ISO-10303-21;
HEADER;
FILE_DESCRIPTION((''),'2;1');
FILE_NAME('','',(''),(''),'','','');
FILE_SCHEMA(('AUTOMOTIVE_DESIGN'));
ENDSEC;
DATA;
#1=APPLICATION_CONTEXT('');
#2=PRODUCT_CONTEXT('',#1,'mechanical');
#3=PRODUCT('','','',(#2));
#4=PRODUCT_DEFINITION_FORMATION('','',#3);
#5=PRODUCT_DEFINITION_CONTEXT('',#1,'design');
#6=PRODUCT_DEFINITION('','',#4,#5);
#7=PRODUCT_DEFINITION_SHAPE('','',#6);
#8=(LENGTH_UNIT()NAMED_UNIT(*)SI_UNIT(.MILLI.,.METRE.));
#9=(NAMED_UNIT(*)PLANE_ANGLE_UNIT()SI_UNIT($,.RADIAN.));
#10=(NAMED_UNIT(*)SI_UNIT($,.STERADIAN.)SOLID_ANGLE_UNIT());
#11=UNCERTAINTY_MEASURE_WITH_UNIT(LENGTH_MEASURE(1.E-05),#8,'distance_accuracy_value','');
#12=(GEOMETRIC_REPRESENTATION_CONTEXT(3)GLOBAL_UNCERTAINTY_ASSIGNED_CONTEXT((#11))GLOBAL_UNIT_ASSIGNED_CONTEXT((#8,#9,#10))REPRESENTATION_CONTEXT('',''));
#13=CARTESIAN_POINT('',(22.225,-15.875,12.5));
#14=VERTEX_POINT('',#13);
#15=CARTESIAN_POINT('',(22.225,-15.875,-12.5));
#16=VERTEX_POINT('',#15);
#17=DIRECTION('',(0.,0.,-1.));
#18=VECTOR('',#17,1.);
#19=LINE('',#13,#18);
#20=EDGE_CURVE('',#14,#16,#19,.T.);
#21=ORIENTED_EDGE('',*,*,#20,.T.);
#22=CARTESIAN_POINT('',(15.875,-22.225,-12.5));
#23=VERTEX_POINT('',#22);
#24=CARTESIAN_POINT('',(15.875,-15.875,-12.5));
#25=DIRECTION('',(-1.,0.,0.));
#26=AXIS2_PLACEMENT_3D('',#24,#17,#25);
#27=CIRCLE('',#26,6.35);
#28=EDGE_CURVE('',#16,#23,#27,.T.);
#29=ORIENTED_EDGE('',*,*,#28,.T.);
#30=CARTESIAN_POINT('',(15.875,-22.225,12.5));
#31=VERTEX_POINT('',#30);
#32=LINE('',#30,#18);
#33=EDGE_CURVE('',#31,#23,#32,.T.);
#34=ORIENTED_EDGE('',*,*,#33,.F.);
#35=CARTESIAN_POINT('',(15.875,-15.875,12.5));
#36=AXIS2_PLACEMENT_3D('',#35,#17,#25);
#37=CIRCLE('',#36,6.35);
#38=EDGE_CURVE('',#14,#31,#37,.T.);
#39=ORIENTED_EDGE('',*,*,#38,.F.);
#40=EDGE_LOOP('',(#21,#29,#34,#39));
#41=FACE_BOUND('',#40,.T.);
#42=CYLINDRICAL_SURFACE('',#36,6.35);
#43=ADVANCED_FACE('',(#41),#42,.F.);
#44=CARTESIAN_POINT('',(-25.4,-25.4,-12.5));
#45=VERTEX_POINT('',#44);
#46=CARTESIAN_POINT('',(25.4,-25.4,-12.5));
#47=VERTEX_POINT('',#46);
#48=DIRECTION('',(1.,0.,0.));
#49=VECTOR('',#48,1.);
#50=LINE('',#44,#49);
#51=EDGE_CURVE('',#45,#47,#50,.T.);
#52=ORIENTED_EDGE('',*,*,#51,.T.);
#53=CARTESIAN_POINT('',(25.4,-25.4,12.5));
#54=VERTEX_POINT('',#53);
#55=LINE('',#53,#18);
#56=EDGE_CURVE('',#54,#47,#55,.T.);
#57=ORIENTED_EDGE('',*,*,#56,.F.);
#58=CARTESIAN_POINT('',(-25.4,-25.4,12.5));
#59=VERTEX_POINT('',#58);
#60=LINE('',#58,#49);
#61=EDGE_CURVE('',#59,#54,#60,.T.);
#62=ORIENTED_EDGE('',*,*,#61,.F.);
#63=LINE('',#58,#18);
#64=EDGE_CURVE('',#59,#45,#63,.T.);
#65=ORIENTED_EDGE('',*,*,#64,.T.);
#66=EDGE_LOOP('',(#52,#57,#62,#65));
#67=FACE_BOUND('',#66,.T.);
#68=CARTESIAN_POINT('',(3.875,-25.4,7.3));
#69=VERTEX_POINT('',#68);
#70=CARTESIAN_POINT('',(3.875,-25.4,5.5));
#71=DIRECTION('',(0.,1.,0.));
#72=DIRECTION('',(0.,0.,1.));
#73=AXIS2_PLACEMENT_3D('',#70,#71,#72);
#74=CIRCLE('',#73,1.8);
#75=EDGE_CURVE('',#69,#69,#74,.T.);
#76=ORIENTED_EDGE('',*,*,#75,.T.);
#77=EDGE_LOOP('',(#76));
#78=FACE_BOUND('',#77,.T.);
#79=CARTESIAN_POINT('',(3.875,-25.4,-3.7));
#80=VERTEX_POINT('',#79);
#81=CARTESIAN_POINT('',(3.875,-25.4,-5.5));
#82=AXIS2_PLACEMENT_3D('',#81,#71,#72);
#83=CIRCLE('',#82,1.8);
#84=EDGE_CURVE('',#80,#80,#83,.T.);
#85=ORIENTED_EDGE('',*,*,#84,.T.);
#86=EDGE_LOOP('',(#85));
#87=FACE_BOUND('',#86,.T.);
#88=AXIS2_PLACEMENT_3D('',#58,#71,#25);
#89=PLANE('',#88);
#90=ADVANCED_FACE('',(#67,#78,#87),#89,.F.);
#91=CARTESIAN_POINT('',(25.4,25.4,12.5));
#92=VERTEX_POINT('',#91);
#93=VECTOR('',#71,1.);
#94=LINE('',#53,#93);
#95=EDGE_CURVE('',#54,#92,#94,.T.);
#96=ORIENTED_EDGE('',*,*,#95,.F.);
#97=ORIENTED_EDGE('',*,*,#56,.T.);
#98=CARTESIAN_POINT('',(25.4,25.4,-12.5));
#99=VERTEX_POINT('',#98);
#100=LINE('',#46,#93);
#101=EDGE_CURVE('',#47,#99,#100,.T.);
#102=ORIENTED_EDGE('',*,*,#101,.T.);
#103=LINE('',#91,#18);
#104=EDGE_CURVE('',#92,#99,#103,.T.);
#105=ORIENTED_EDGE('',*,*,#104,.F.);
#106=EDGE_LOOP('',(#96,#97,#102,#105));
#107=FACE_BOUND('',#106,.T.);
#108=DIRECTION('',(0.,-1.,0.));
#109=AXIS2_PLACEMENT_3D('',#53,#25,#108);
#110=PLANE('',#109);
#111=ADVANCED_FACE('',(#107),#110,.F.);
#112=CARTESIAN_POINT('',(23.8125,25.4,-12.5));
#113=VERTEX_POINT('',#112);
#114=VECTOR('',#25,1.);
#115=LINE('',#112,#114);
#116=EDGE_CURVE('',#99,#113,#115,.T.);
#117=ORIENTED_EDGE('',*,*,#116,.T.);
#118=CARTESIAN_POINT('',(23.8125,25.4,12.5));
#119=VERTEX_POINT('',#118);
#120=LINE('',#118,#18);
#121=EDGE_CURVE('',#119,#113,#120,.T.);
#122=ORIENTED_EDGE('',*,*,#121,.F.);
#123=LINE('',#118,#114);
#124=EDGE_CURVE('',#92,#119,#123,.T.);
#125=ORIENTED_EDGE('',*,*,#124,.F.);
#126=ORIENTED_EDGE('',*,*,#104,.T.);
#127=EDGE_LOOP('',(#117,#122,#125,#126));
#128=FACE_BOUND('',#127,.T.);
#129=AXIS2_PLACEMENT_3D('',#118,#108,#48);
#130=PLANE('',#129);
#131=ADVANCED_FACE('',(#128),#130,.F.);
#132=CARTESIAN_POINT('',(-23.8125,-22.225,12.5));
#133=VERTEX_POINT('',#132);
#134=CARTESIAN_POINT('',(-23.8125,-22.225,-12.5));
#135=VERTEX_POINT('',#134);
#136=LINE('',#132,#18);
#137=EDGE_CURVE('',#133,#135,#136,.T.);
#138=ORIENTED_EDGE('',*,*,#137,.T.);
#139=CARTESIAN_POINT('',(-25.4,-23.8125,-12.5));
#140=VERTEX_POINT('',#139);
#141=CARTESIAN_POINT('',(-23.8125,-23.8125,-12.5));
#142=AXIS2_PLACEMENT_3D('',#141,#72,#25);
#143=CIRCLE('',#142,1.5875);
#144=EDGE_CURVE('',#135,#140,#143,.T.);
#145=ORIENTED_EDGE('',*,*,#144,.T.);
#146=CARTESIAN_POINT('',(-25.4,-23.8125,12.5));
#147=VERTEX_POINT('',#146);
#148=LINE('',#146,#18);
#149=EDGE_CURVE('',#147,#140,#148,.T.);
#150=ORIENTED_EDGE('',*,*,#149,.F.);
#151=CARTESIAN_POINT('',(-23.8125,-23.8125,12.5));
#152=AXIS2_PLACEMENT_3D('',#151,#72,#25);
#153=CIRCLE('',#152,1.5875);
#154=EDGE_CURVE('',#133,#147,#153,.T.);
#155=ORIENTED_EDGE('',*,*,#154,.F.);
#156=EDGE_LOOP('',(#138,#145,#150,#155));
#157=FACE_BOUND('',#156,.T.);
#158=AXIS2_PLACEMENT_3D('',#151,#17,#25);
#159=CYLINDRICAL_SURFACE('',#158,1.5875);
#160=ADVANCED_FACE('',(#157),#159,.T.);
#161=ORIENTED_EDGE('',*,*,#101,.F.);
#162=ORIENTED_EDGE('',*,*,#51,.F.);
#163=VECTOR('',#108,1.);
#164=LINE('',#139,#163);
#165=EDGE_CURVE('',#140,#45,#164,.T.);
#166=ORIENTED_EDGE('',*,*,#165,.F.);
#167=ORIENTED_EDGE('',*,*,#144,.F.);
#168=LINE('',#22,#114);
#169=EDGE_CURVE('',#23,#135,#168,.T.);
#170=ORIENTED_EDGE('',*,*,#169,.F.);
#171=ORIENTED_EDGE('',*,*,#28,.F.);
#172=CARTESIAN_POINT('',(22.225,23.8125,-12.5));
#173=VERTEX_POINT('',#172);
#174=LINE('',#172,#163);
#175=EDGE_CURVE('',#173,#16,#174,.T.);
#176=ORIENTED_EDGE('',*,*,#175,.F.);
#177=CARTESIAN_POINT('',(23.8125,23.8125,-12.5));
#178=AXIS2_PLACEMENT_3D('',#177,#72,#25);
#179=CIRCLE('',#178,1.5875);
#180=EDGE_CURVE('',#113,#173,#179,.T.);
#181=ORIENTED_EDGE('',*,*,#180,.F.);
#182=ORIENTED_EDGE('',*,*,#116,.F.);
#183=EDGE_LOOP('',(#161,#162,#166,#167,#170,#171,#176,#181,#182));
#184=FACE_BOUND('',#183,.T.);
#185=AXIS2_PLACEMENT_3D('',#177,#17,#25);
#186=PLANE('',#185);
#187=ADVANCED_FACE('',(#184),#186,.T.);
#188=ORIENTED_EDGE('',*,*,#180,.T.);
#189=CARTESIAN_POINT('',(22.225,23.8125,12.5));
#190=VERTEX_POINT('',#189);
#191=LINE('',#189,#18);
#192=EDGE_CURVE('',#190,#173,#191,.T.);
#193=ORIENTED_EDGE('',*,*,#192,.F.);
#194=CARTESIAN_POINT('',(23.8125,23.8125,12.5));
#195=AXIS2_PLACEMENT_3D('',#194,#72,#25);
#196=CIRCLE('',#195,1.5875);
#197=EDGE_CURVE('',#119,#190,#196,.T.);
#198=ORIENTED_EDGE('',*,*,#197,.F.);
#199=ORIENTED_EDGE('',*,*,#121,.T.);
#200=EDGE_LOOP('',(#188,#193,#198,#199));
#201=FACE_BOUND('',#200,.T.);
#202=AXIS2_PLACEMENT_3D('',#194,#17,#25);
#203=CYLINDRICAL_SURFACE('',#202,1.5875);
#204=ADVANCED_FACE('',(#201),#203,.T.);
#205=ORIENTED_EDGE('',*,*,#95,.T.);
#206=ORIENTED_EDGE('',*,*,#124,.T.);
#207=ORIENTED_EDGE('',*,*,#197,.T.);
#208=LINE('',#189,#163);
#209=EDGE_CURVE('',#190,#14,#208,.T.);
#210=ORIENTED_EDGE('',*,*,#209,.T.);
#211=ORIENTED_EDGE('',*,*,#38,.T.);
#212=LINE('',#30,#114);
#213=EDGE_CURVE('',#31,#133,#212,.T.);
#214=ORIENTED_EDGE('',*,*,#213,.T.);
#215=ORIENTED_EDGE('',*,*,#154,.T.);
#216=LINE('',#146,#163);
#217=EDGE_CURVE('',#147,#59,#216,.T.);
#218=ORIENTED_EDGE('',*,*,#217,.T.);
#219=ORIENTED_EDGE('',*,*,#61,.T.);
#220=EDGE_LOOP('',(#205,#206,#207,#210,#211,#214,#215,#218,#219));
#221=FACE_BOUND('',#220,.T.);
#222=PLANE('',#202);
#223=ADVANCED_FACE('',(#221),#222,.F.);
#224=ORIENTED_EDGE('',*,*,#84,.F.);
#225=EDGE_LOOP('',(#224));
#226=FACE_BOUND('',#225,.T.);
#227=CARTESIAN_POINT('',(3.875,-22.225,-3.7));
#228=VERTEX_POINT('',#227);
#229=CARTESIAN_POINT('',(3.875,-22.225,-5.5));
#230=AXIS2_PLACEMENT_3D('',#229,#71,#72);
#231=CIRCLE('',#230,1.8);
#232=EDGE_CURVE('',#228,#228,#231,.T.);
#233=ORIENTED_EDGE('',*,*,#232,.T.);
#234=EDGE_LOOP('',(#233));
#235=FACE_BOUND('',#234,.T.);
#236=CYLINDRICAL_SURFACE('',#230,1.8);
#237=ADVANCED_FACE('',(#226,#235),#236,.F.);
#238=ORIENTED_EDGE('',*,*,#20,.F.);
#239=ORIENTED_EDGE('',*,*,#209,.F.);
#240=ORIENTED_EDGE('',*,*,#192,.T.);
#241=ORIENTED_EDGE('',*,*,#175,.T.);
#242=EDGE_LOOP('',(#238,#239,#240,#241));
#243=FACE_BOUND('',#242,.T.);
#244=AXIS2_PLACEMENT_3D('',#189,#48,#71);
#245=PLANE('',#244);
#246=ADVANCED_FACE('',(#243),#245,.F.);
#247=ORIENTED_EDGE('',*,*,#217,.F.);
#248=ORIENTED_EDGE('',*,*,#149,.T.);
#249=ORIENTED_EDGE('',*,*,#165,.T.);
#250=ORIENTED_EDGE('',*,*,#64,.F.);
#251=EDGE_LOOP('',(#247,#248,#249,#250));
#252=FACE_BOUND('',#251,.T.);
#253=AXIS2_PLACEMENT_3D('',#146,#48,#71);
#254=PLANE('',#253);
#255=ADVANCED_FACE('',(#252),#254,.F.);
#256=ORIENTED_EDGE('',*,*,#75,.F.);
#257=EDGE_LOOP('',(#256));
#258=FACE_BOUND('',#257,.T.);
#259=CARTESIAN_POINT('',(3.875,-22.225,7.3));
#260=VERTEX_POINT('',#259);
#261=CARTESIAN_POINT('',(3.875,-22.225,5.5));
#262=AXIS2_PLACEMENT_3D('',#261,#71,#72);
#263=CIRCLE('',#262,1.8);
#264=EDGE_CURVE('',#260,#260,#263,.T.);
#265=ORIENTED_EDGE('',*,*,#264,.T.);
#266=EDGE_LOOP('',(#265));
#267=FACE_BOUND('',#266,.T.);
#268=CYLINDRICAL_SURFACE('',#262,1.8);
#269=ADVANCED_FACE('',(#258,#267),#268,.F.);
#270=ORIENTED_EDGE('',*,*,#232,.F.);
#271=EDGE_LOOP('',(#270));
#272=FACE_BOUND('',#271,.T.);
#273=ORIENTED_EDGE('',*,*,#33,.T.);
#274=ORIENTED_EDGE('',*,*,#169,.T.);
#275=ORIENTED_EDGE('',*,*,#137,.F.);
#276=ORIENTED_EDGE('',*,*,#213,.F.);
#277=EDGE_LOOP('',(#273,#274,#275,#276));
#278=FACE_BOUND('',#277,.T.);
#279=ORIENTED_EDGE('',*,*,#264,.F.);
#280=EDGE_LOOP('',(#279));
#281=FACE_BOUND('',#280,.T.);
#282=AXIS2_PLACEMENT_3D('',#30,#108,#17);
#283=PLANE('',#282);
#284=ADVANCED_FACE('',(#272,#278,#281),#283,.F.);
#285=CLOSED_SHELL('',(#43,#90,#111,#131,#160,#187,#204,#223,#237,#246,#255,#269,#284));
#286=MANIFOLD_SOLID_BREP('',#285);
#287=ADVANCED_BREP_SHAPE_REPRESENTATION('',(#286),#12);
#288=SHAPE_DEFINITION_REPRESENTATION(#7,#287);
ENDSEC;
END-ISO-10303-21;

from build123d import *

# Parameters (mm, degrees)
BOSS_EXTRUDE1_DEPTH  = 12.500000019
M3_CLEARANCE_HOLE1_D = 3.6


with BuildPart() as part:
    # Sketch2 → Boss-Extrude1 (new, symmetric)
    with BuildSketch(Plane.XY):
        with BuildLine():
            Line((-25.4, -25.4), (25.4, -25.4))
            Line((25.4, -25.4), (25.4, 25.4))
            Line((25.4, 25.4), (23.8125, 25.4))
            ThreePointArc((23.8125, 25.4), (22.689967985, 24.935032015), (22.225, 23.8125))
            Line((22.225, 23.8125), (22.225, -15.875))
            ThreePointArc((22.225, -15.875), (20.365128061, -20.365128061), (15.875, -22.225))
            Line((15.875, -22.225), (-23.8125, -22.225))
            ThreePointArc((-23.8125, -22.225), (-24.935032015, -22.689967985), (-25.4, -23.8125))
            Line((-25.4, -23.8125), (-25.4, -25.4))
        make_face()
    extrude(amount=BOSS_EXTRUDE1_DEPTH, both=True)

    # M3 Clearance Hole1 (through all)
    with Locations(Plane(origin=(0, -22.225, 0), x_dir=(1, 0, 0), z_dir=(0, 1, 0))):
        with Locations((3.875000124, 5.500000049), (3.875000124, -5.500000049)):
            Hole(M3_CLEARANCE_HOLE1_D / 2)


solid = part.part
